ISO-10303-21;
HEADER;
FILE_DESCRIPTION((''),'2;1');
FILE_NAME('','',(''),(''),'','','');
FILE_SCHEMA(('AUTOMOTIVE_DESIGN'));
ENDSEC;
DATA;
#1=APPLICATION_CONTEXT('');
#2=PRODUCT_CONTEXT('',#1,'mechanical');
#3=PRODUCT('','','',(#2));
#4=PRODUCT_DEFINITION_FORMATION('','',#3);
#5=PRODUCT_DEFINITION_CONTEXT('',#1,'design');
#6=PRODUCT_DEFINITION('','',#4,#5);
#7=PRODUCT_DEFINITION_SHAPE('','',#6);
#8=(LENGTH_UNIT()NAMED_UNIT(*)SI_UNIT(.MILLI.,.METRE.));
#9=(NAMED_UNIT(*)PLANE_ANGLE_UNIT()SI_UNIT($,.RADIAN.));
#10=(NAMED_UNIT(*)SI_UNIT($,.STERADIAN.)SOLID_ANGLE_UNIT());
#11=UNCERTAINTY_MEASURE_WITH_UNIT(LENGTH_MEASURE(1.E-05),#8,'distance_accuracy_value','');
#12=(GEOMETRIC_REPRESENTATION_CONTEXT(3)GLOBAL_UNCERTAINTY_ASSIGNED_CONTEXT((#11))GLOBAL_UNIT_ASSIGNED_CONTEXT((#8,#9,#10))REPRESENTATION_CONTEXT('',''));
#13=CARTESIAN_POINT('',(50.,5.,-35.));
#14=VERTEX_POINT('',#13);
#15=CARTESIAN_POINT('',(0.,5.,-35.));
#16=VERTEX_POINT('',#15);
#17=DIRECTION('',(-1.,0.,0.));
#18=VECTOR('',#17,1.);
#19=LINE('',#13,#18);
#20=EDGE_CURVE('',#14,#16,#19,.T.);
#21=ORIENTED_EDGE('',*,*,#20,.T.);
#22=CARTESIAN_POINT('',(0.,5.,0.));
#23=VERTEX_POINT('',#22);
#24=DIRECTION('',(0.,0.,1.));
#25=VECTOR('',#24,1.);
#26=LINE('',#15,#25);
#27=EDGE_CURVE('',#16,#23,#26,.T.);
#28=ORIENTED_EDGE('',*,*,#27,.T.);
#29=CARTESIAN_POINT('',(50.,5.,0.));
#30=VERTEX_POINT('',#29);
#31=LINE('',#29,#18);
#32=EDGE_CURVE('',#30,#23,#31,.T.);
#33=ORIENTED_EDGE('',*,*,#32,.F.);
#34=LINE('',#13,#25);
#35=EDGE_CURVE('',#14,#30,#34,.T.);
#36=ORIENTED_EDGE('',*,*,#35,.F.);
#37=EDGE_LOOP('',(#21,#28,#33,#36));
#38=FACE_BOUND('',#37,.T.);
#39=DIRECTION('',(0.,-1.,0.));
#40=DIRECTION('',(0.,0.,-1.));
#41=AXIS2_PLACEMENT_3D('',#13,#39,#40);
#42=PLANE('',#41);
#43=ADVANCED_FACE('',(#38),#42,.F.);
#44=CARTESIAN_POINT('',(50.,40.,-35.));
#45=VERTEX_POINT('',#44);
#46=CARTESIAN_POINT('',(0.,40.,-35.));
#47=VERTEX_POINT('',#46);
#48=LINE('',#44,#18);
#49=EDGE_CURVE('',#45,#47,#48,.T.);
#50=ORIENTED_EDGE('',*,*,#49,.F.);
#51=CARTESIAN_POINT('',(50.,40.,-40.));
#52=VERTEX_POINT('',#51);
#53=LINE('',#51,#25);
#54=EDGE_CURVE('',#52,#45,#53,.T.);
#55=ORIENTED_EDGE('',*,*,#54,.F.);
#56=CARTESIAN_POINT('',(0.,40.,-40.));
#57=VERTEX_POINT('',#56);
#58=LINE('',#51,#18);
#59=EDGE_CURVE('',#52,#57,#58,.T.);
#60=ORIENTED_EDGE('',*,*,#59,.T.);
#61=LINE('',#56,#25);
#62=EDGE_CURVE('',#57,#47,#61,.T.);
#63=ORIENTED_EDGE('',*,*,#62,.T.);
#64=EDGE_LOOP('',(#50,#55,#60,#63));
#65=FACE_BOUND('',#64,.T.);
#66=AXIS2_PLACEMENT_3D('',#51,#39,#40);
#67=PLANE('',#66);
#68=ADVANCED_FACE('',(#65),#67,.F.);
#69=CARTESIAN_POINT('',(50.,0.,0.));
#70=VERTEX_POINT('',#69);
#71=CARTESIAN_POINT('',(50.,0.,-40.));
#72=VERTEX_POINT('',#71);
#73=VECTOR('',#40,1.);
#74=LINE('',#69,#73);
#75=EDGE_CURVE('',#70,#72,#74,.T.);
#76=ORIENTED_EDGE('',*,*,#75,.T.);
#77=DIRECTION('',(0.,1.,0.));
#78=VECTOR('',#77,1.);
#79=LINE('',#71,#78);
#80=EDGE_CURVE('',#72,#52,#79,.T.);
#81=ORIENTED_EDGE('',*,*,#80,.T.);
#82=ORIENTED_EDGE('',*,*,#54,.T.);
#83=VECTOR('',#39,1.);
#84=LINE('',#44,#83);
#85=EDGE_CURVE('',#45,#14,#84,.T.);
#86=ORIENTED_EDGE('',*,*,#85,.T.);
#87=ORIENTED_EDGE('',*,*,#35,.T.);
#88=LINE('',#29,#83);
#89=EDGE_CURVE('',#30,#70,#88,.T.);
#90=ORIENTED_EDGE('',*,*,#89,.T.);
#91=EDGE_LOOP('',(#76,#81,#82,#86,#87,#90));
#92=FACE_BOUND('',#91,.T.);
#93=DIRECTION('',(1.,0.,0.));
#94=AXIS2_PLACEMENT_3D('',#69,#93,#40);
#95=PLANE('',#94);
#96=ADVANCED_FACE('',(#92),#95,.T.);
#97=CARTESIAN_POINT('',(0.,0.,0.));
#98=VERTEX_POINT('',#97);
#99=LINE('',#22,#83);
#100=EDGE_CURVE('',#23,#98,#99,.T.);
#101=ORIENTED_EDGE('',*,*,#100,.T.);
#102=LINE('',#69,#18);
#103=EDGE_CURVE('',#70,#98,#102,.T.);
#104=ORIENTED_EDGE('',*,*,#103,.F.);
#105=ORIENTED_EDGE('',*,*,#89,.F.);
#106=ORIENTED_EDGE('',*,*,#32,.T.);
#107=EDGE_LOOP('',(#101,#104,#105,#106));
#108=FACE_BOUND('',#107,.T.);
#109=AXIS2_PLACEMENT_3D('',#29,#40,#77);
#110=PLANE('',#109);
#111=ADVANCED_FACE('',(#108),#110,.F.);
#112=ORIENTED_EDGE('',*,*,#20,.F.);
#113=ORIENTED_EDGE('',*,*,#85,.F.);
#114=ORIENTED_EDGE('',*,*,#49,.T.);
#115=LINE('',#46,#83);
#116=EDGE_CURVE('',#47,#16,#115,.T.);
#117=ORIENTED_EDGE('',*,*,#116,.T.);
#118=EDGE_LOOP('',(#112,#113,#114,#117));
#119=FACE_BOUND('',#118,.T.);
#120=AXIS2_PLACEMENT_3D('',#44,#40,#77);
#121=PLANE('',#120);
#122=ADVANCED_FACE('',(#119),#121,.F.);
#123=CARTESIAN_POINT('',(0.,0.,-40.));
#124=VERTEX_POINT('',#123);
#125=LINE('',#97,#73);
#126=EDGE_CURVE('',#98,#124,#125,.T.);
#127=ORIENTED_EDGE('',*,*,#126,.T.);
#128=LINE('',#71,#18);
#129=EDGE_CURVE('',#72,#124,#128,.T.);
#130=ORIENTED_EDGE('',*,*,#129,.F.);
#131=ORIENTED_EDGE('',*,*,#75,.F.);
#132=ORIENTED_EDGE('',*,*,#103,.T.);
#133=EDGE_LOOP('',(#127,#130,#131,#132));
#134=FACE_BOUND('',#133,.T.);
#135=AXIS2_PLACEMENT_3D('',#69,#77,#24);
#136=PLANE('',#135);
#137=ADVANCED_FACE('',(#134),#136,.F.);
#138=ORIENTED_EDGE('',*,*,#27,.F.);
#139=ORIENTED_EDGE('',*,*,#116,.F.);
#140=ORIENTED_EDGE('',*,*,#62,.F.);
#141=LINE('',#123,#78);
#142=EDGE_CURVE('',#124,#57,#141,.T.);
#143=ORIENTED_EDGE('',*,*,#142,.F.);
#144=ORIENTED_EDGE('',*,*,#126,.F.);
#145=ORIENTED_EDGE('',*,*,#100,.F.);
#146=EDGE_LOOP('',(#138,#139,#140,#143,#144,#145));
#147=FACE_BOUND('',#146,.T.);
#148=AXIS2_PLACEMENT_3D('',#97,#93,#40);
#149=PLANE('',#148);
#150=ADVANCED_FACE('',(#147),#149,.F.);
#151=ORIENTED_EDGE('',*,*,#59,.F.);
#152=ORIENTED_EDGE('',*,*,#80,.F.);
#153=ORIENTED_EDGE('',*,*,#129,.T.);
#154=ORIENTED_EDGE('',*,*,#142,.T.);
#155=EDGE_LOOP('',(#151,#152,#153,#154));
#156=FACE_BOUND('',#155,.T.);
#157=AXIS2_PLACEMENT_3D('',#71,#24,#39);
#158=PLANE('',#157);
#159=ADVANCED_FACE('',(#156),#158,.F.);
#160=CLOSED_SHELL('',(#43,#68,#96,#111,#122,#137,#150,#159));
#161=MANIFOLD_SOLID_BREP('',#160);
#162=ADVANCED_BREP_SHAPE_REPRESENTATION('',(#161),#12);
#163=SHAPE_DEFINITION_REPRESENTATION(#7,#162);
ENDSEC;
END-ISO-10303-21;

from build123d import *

# Parameters (mm, degrees)
EXTRUDE_1_DEPTH = 50


with BuildPart() as part:
    # 스케치1 → 보스-돌출1 (new body)
    with BuildSketch(Plane(origin=(0, 0, 0), x_dir=(0, 0, -1), z_dir=(1, 0, 0))):
        Polygon((0, 0), (40, 0), (40, 40), (35, 40), (35, 5), (0, 5), align=None)
    extrude(amount=EXTRUDE_1_DEPTH)


solid = part.part
